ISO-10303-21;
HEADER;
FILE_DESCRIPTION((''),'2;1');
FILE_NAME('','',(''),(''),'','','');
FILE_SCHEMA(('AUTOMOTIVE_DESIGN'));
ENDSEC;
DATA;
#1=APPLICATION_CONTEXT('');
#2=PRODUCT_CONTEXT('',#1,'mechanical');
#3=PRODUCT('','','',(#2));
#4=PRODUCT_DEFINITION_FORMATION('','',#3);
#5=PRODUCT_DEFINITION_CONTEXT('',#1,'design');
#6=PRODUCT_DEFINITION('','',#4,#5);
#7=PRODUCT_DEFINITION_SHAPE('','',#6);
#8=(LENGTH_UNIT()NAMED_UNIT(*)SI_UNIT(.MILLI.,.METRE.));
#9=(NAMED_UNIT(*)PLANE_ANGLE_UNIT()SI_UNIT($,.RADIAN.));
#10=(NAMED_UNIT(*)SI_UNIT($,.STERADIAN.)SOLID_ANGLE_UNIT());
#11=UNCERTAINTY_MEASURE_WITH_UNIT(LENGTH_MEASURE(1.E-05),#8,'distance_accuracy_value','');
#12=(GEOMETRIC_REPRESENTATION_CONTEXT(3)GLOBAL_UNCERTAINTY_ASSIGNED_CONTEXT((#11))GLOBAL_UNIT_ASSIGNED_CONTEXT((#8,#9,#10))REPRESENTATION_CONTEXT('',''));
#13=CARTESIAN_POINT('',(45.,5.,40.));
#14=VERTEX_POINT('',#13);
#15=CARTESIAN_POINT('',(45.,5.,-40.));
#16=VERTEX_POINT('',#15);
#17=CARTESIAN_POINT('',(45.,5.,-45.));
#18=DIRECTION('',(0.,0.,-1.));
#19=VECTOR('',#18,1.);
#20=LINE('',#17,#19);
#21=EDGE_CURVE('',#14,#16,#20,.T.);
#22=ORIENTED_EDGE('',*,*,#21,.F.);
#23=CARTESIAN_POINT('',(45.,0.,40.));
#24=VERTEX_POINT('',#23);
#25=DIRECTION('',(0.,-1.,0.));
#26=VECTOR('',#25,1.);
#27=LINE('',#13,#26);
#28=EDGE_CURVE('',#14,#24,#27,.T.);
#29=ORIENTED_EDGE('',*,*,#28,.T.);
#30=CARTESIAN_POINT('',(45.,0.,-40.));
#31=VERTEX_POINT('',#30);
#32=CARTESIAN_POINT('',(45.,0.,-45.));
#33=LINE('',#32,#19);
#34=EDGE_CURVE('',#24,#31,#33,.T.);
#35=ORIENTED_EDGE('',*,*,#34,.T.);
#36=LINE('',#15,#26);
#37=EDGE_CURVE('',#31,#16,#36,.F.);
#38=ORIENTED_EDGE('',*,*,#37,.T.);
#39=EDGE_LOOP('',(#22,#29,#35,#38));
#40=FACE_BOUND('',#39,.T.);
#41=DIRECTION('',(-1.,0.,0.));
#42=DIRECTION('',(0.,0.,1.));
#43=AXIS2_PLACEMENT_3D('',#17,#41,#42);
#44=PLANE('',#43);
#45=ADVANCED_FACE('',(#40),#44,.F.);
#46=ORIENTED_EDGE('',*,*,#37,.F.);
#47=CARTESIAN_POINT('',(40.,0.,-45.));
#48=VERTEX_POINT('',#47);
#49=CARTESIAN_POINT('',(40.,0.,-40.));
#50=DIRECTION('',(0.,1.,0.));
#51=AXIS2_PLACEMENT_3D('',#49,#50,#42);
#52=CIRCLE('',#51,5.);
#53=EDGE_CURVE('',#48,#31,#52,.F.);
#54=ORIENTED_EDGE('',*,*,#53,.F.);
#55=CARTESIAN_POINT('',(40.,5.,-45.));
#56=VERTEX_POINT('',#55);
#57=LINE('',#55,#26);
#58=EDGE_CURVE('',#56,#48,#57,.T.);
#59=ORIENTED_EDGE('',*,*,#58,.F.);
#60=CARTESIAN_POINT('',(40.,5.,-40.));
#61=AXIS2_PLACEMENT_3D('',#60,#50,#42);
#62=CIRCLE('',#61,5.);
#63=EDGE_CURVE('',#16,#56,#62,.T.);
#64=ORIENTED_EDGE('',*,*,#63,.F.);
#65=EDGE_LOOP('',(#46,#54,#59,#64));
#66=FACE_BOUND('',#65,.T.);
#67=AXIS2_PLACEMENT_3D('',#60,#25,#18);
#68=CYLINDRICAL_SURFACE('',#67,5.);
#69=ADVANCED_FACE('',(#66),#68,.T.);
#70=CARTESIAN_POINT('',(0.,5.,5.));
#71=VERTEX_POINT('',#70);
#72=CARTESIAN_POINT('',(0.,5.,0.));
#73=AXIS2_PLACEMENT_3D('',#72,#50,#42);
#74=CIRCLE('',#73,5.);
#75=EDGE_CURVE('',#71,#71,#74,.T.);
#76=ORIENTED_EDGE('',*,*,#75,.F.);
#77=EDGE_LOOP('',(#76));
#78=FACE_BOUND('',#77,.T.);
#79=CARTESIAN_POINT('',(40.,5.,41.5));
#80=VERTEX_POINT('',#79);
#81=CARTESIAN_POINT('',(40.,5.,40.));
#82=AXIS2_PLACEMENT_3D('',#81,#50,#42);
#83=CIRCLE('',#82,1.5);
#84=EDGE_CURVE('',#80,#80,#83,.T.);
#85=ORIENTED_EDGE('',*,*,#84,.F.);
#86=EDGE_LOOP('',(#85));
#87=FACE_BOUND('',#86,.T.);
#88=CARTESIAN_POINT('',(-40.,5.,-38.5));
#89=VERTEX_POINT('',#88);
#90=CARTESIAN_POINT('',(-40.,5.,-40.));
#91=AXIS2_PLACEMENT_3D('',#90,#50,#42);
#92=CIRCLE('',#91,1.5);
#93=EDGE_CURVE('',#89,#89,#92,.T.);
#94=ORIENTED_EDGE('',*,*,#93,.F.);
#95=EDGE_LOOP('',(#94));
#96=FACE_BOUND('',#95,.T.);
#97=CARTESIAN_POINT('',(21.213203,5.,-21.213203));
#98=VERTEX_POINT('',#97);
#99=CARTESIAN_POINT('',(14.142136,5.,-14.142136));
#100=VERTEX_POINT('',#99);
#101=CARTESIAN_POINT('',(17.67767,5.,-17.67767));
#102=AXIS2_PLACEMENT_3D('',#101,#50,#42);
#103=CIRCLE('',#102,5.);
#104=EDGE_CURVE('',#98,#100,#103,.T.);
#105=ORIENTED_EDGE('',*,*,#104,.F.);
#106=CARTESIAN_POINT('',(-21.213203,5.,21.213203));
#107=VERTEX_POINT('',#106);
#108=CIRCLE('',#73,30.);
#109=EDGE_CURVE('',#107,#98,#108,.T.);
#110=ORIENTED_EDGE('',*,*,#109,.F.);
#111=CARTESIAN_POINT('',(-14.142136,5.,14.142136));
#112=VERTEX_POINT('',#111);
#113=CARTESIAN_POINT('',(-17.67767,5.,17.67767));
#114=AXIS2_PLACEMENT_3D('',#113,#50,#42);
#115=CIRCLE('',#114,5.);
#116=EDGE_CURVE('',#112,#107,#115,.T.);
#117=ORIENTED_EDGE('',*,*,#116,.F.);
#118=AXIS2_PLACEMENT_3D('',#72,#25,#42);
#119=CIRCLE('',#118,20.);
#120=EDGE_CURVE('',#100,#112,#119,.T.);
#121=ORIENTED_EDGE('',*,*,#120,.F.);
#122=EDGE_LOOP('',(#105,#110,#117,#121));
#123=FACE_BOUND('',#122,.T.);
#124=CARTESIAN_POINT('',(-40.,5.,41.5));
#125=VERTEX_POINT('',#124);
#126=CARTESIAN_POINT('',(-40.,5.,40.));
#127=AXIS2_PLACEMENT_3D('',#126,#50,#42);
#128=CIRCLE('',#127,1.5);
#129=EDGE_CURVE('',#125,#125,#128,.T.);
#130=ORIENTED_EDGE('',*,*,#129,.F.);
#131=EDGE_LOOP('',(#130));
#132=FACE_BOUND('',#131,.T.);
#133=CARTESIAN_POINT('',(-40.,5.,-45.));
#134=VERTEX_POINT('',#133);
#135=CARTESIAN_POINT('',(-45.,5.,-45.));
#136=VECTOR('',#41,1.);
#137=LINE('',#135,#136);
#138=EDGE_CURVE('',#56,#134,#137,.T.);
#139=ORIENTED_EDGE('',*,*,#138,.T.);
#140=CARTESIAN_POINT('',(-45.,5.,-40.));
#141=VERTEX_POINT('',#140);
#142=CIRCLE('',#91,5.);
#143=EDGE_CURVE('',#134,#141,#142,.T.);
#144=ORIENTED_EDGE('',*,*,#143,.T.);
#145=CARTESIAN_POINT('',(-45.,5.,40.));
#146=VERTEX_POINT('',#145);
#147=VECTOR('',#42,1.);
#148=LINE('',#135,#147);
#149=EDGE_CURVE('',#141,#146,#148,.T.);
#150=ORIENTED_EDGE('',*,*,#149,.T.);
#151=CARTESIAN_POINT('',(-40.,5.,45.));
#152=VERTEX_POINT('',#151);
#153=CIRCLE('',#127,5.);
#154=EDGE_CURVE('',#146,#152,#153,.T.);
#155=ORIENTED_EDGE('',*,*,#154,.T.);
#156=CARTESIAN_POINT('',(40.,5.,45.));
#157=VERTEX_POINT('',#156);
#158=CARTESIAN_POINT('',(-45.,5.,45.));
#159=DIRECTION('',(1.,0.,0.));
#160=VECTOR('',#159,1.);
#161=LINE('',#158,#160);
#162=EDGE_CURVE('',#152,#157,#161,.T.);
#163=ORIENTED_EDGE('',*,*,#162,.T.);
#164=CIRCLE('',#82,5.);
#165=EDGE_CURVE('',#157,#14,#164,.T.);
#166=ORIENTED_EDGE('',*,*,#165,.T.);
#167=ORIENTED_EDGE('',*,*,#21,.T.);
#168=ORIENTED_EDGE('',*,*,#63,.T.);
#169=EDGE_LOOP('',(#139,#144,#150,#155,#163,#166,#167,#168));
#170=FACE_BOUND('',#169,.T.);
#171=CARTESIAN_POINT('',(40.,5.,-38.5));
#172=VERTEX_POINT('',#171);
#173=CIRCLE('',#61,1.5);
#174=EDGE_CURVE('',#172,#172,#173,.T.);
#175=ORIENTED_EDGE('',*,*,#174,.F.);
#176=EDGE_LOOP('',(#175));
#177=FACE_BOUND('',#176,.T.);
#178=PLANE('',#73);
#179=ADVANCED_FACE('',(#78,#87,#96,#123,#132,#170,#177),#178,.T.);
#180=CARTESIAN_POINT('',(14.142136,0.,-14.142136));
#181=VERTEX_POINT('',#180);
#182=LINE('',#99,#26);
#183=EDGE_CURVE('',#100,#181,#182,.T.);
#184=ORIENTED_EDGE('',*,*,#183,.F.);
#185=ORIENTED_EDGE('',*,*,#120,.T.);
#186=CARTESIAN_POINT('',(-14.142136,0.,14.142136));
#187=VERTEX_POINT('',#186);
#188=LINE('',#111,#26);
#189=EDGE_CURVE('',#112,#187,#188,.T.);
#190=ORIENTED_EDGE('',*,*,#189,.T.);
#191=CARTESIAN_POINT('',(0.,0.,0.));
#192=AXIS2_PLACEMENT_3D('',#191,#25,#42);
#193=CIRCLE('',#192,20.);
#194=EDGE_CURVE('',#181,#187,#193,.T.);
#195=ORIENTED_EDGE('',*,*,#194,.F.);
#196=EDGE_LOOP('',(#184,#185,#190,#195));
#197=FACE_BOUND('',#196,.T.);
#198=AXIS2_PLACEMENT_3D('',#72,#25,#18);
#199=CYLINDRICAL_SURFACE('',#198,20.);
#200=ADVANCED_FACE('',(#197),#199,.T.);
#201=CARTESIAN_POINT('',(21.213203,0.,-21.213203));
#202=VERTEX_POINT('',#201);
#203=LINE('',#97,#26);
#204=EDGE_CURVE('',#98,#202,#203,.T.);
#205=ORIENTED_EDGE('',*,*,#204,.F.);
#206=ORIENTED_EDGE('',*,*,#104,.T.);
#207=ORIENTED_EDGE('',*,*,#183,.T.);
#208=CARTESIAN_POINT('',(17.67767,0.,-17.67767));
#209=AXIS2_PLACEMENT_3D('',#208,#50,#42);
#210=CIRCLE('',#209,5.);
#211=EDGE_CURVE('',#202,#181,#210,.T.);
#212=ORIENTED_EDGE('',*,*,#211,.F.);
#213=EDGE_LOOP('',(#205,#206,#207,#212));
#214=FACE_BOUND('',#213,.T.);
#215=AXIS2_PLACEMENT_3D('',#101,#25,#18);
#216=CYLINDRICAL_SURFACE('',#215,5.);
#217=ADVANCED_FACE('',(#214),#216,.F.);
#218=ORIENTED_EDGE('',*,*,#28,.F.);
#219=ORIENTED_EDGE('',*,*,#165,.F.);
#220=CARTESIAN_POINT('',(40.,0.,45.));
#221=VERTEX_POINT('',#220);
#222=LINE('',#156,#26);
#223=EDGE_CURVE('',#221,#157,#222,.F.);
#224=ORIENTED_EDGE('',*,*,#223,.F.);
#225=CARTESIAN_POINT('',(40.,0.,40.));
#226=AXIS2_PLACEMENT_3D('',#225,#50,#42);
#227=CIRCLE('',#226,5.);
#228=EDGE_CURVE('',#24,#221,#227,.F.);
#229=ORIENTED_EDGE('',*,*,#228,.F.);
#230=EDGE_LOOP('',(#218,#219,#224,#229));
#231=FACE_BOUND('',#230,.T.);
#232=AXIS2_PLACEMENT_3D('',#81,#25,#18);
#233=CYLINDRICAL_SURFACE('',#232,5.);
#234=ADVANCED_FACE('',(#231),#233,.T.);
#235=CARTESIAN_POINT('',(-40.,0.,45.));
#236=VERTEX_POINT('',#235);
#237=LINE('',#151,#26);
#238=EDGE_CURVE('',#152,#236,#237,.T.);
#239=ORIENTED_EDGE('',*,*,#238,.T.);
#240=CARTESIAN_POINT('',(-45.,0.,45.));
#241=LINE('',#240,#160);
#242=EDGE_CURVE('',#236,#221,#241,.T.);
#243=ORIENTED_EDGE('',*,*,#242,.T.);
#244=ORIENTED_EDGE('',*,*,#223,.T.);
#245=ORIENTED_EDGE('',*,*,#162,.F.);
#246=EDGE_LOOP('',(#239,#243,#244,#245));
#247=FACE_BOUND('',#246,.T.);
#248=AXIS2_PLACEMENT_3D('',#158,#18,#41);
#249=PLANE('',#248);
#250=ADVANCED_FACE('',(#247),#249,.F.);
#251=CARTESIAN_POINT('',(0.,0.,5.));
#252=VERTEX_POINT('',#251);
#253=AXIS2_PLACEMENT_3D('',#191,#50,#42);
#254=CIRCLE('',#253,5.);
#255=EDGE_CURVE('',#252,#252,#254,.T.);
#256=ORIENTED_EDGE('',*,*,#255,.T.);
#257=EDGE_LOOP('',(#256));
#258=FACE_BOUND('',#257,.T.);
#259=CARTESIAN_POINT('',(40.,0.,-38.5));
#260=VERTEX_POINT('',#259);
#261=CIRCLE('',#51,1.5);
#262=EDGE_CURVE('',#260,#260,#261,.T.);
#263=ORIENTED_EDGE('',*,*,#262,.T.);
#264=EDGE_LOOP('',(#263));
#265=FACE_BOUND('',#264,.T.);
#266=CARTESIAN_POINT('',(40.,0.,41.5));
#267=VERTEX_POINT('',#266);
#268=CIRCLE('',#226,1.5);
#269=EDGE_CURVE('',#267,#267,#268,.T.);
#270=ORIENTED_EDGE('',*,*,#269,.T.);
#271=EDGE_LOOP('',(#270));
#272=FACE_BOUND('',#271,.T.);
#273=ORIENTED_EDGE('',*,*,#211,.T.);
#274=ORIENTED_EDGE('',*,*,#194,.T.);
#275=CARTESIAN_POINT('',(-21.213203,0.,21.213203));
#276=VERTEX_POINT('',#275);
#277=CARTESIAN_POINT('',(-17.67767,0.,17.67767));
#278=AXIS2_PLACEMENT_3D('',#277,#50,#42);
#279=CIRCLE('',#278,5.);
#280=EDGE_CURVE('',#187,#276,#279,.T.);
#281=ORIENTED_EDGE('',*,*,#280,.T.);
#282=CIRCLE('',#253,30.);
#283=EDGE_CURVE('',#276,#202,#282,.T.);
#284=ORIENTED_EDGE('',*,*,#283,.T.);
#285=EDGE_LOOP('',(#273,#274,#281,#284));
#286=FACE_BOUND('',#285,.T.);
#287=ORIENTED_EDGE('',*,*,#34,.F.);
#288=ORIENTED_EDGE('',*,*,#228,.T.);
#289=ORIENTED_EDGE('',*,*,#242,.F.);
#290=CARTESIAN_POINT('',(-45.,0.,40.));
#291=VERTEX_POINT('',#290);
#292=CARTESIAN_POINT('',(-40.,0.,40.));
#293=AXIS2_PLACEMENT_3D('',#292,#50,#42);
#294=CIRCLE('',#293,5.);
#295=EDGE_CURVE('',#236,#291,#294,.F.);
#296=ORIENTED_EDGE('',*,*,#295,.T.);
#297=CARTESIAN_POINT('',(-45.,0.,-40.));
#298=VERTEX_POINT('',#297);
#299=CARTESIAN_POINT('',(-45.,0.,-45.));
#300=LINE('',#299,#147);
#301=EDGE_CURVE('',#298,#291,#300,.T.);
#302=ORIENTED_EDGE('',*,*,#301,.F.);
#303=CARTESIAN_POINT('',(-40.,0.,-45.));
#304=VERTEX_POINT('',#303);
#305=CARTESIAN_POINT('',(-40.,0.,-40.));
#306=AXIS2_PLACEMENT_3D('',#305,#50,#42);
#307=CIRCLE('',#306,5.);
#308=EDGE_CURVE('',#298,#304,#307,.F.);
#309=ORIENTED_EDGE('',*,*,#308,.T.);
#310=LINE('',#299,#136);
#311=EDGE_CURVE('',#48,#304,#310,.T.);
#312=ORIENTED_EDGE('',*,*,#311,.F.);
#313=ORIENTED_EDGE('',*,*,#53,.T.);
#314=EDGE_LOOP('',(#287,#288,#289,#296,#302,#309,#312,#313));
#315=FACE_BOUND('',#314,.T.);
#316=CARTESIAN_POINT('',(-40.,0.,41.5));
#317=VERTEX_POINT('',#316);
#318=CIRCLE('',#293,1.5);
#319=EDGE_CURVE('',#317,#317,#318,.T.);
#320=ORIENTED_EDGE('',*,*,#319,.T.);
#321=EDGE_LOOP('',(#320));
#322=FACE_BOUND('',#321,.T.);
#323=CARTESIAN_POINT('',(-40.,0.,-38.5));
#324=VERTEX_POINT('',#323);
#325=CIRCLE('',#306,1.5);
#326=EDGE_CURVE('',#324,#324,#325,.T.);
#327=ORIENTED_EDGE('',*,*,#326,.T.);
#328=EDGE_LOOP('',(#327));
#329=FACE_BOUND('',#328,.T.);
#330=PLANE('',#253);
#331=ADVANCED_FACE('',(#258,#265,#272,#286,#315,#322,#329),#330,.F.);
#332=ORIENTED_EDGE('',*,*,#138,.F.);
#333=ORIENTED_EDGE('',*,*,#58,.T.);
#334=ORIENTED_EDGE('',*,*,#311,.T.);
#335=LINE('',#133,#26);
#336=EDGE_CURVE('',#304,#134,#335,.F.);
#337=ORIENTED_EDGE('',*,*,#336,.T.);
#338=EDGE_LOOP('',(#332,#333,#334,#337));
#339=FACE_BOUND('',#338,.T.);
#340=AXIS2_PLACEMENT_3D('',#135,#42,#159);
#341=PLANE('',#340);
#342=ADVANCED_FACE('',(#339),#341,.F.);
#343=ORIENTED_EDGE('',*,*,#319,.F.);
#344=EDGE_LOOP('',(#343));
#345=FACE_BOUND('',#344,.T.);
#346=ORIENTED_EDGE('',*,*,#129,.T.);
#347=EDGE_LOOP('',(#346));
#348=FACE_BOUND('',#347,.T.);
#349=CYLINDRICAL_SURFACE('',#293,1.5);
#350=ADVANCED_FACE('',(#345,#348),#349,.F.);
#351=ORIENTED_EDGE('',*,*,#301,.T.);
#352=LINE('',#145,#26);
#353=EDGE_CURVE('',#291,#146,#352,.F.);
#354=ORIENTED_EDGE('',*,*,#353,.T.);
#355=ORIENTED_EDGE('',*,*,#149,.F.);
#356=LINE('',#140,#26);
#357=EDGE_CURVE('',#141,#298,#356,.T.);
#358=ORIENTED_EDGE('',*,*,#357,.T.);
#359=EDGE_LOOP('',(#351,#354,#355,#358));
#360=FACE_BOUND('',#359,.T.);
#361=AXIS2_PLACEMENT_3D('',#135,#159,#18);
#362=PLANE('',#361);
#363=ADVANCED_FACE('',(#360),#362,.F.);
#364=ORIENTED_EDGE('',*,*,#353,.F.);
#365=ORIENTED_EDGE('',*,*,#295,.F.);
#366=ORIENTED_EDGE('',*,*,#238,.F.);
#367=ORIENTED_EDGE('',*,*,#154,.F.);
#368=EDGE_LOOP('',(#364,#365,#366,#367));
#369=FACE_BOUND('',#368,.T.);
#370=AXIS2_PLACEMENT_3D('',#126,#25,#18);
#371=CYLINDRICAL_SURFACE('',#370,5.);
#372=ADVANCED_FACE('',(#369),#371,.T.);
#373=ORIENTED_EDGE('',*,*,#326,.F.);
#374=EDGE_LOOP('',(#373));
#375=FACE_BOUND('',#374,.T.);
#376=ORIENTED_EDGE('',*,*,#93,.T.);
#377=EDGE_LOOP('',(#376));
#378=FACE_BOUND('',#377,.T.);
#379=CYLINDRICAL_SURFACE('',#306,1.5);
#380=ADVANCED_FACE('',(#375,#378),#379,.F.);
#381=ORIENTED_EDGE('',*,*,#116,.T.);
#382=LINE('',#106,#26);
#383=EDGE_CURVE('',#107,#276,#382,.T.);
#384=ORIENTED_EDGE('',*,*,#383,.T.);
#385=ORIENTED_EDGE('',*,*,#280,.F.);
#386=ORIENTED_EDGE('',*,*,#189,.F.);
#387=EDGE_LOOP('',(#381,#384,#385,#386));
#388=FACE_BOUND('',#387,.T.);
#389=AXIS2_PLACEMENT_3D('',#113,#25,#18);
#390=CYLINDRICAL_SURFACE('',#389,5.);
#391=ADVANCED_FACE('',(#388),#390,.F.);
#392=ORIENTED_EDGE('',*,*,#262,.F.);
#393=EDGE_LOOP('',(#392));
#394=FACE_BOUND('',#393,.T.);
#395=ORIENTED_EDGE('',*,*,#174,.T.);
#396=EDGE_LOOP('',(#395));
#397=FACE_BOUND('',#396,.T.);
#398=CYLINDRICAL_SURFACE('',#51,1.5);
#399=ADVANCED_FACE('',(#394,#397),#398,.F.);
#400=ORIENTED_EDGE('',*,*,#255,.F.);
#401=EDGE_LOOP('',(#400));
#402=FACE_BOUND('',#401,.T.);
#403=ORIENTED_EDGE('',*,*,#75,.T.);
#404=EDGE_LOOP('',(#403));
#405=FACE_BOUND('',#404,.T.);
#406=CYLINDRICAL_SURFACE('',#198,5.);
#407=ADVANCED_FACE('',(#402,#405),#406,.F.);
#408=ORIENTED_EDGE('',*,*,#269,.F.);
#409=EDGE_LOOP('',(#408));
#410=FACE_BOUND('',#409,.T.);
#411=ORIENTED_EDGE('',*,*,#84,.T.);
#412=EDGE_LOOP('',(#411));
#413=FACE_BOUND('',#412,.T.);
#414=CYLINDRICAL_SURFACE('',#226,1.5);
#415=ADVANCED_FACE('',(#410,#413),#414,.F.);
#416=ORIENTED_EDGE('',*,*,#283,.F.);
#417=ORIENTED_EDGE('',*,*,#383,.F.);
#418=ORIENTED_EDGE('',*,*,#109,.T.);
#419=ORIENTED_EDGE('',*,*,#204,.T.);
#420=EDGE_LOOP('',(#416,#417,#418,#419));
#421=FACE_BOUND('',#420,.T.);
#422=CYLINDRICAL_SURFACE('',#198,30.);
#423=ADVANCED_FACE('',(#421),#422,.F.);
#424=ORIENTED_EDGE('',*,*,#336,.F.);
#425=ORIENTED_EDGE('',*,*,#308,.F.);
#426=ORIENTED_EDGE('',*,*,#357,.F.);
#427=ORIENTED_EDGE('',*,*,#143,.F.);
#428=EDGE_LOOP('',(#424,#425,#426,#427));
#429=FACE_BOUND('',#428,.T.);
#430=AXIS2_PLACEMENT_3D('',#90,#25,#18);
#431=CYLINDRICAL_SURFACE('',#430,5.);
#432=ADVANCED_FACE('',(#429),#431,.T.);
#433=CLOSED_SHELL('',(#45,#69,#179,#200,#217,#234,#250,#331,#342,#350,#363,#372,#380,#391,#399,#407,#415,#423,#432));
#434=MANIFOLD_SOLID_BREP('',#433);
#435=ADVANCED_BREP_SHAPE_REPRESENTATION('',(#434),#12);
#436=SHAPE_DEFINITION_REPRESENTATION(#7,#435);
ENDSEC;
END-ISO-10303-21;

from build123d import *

# Parameters (mm, degrees)
SKETCH1_W           = 90
SKETCH1_H           = 90
SKETCH1_R           = 5
BOSS_EXTRUDE1_DEPTH = 5
SKETCH2_R           = 1.5
CUT_EXTRUDE1_DEPTH  = 6
FILLET1_R           = 5


with BuildPart() as part:
    # Sketch1 → Boss-Extrude1 (new body)
    with BuildSketch(Plane(origin=(0, 0, 0), x_dir=(1, 0, 0), z_dir=(0, 1, 0))):
        Rectangle(SKETCH1_W, SKETCH1_H)
        Circle(SKETCH1_R, mode=Mode.SUBTRACT)
        with BuildLine():
            ThreePointArc((-21.213203436, -21.213203436), (21.213203436, -21.213203436), (21.213203436, 21.213203436))
            ThreePointArc((21.213203436, 21.213203436), (14.142135624, 21.213203436), (14.142135624, 14.142135624))
            ThreePointArc((14.142135624, 14.142135624), (14.142135624, -14.142135624), (-14.142135624, -14.142135624))
            ThreePointArc((-14.142135624, -14.142135624), (-21.213203436, -14.142135624), (-21.213203436, -21.213203436))
        make_face(mode=Mode.SUBTRACT)
    extrude(amount=BOSS_EXTRUDE1_DEPTH)

    # Sketch2 → Cut-Extrude1 (cut, through all)
    with BuildSketch(Plane(origin=(0, 5, 0), x_dir=(1, 0, 0), z_dir=(0, 1, 0))):
        with Locations((-40, 40)):
            Circle(SKETCH2_R)
        with Locations((40, 40)):
            Circle(SKETCH2_R)
        with Locations((40, -40)):
            Circle(SKETCH2_R)
        with Locations((-40, -40)):
            Circle(SKETCH2_R)
    extrude(amount=-CUT_EXTRUDE1_DEPTH, mode=Mode.SUBTRACT)

    # Fillet1
    fillet1_edges = [part.edges().sort_by_distance(p)[0] for p in [
        (45, 2.5, 45),
        (-45, 2.5, 45),
        (-45, 2.5, -45),
        (45, 2.5, -45),
    ]]
    fillet(fillet1_edges, radius=FILLET1_R)


solid = part.part
